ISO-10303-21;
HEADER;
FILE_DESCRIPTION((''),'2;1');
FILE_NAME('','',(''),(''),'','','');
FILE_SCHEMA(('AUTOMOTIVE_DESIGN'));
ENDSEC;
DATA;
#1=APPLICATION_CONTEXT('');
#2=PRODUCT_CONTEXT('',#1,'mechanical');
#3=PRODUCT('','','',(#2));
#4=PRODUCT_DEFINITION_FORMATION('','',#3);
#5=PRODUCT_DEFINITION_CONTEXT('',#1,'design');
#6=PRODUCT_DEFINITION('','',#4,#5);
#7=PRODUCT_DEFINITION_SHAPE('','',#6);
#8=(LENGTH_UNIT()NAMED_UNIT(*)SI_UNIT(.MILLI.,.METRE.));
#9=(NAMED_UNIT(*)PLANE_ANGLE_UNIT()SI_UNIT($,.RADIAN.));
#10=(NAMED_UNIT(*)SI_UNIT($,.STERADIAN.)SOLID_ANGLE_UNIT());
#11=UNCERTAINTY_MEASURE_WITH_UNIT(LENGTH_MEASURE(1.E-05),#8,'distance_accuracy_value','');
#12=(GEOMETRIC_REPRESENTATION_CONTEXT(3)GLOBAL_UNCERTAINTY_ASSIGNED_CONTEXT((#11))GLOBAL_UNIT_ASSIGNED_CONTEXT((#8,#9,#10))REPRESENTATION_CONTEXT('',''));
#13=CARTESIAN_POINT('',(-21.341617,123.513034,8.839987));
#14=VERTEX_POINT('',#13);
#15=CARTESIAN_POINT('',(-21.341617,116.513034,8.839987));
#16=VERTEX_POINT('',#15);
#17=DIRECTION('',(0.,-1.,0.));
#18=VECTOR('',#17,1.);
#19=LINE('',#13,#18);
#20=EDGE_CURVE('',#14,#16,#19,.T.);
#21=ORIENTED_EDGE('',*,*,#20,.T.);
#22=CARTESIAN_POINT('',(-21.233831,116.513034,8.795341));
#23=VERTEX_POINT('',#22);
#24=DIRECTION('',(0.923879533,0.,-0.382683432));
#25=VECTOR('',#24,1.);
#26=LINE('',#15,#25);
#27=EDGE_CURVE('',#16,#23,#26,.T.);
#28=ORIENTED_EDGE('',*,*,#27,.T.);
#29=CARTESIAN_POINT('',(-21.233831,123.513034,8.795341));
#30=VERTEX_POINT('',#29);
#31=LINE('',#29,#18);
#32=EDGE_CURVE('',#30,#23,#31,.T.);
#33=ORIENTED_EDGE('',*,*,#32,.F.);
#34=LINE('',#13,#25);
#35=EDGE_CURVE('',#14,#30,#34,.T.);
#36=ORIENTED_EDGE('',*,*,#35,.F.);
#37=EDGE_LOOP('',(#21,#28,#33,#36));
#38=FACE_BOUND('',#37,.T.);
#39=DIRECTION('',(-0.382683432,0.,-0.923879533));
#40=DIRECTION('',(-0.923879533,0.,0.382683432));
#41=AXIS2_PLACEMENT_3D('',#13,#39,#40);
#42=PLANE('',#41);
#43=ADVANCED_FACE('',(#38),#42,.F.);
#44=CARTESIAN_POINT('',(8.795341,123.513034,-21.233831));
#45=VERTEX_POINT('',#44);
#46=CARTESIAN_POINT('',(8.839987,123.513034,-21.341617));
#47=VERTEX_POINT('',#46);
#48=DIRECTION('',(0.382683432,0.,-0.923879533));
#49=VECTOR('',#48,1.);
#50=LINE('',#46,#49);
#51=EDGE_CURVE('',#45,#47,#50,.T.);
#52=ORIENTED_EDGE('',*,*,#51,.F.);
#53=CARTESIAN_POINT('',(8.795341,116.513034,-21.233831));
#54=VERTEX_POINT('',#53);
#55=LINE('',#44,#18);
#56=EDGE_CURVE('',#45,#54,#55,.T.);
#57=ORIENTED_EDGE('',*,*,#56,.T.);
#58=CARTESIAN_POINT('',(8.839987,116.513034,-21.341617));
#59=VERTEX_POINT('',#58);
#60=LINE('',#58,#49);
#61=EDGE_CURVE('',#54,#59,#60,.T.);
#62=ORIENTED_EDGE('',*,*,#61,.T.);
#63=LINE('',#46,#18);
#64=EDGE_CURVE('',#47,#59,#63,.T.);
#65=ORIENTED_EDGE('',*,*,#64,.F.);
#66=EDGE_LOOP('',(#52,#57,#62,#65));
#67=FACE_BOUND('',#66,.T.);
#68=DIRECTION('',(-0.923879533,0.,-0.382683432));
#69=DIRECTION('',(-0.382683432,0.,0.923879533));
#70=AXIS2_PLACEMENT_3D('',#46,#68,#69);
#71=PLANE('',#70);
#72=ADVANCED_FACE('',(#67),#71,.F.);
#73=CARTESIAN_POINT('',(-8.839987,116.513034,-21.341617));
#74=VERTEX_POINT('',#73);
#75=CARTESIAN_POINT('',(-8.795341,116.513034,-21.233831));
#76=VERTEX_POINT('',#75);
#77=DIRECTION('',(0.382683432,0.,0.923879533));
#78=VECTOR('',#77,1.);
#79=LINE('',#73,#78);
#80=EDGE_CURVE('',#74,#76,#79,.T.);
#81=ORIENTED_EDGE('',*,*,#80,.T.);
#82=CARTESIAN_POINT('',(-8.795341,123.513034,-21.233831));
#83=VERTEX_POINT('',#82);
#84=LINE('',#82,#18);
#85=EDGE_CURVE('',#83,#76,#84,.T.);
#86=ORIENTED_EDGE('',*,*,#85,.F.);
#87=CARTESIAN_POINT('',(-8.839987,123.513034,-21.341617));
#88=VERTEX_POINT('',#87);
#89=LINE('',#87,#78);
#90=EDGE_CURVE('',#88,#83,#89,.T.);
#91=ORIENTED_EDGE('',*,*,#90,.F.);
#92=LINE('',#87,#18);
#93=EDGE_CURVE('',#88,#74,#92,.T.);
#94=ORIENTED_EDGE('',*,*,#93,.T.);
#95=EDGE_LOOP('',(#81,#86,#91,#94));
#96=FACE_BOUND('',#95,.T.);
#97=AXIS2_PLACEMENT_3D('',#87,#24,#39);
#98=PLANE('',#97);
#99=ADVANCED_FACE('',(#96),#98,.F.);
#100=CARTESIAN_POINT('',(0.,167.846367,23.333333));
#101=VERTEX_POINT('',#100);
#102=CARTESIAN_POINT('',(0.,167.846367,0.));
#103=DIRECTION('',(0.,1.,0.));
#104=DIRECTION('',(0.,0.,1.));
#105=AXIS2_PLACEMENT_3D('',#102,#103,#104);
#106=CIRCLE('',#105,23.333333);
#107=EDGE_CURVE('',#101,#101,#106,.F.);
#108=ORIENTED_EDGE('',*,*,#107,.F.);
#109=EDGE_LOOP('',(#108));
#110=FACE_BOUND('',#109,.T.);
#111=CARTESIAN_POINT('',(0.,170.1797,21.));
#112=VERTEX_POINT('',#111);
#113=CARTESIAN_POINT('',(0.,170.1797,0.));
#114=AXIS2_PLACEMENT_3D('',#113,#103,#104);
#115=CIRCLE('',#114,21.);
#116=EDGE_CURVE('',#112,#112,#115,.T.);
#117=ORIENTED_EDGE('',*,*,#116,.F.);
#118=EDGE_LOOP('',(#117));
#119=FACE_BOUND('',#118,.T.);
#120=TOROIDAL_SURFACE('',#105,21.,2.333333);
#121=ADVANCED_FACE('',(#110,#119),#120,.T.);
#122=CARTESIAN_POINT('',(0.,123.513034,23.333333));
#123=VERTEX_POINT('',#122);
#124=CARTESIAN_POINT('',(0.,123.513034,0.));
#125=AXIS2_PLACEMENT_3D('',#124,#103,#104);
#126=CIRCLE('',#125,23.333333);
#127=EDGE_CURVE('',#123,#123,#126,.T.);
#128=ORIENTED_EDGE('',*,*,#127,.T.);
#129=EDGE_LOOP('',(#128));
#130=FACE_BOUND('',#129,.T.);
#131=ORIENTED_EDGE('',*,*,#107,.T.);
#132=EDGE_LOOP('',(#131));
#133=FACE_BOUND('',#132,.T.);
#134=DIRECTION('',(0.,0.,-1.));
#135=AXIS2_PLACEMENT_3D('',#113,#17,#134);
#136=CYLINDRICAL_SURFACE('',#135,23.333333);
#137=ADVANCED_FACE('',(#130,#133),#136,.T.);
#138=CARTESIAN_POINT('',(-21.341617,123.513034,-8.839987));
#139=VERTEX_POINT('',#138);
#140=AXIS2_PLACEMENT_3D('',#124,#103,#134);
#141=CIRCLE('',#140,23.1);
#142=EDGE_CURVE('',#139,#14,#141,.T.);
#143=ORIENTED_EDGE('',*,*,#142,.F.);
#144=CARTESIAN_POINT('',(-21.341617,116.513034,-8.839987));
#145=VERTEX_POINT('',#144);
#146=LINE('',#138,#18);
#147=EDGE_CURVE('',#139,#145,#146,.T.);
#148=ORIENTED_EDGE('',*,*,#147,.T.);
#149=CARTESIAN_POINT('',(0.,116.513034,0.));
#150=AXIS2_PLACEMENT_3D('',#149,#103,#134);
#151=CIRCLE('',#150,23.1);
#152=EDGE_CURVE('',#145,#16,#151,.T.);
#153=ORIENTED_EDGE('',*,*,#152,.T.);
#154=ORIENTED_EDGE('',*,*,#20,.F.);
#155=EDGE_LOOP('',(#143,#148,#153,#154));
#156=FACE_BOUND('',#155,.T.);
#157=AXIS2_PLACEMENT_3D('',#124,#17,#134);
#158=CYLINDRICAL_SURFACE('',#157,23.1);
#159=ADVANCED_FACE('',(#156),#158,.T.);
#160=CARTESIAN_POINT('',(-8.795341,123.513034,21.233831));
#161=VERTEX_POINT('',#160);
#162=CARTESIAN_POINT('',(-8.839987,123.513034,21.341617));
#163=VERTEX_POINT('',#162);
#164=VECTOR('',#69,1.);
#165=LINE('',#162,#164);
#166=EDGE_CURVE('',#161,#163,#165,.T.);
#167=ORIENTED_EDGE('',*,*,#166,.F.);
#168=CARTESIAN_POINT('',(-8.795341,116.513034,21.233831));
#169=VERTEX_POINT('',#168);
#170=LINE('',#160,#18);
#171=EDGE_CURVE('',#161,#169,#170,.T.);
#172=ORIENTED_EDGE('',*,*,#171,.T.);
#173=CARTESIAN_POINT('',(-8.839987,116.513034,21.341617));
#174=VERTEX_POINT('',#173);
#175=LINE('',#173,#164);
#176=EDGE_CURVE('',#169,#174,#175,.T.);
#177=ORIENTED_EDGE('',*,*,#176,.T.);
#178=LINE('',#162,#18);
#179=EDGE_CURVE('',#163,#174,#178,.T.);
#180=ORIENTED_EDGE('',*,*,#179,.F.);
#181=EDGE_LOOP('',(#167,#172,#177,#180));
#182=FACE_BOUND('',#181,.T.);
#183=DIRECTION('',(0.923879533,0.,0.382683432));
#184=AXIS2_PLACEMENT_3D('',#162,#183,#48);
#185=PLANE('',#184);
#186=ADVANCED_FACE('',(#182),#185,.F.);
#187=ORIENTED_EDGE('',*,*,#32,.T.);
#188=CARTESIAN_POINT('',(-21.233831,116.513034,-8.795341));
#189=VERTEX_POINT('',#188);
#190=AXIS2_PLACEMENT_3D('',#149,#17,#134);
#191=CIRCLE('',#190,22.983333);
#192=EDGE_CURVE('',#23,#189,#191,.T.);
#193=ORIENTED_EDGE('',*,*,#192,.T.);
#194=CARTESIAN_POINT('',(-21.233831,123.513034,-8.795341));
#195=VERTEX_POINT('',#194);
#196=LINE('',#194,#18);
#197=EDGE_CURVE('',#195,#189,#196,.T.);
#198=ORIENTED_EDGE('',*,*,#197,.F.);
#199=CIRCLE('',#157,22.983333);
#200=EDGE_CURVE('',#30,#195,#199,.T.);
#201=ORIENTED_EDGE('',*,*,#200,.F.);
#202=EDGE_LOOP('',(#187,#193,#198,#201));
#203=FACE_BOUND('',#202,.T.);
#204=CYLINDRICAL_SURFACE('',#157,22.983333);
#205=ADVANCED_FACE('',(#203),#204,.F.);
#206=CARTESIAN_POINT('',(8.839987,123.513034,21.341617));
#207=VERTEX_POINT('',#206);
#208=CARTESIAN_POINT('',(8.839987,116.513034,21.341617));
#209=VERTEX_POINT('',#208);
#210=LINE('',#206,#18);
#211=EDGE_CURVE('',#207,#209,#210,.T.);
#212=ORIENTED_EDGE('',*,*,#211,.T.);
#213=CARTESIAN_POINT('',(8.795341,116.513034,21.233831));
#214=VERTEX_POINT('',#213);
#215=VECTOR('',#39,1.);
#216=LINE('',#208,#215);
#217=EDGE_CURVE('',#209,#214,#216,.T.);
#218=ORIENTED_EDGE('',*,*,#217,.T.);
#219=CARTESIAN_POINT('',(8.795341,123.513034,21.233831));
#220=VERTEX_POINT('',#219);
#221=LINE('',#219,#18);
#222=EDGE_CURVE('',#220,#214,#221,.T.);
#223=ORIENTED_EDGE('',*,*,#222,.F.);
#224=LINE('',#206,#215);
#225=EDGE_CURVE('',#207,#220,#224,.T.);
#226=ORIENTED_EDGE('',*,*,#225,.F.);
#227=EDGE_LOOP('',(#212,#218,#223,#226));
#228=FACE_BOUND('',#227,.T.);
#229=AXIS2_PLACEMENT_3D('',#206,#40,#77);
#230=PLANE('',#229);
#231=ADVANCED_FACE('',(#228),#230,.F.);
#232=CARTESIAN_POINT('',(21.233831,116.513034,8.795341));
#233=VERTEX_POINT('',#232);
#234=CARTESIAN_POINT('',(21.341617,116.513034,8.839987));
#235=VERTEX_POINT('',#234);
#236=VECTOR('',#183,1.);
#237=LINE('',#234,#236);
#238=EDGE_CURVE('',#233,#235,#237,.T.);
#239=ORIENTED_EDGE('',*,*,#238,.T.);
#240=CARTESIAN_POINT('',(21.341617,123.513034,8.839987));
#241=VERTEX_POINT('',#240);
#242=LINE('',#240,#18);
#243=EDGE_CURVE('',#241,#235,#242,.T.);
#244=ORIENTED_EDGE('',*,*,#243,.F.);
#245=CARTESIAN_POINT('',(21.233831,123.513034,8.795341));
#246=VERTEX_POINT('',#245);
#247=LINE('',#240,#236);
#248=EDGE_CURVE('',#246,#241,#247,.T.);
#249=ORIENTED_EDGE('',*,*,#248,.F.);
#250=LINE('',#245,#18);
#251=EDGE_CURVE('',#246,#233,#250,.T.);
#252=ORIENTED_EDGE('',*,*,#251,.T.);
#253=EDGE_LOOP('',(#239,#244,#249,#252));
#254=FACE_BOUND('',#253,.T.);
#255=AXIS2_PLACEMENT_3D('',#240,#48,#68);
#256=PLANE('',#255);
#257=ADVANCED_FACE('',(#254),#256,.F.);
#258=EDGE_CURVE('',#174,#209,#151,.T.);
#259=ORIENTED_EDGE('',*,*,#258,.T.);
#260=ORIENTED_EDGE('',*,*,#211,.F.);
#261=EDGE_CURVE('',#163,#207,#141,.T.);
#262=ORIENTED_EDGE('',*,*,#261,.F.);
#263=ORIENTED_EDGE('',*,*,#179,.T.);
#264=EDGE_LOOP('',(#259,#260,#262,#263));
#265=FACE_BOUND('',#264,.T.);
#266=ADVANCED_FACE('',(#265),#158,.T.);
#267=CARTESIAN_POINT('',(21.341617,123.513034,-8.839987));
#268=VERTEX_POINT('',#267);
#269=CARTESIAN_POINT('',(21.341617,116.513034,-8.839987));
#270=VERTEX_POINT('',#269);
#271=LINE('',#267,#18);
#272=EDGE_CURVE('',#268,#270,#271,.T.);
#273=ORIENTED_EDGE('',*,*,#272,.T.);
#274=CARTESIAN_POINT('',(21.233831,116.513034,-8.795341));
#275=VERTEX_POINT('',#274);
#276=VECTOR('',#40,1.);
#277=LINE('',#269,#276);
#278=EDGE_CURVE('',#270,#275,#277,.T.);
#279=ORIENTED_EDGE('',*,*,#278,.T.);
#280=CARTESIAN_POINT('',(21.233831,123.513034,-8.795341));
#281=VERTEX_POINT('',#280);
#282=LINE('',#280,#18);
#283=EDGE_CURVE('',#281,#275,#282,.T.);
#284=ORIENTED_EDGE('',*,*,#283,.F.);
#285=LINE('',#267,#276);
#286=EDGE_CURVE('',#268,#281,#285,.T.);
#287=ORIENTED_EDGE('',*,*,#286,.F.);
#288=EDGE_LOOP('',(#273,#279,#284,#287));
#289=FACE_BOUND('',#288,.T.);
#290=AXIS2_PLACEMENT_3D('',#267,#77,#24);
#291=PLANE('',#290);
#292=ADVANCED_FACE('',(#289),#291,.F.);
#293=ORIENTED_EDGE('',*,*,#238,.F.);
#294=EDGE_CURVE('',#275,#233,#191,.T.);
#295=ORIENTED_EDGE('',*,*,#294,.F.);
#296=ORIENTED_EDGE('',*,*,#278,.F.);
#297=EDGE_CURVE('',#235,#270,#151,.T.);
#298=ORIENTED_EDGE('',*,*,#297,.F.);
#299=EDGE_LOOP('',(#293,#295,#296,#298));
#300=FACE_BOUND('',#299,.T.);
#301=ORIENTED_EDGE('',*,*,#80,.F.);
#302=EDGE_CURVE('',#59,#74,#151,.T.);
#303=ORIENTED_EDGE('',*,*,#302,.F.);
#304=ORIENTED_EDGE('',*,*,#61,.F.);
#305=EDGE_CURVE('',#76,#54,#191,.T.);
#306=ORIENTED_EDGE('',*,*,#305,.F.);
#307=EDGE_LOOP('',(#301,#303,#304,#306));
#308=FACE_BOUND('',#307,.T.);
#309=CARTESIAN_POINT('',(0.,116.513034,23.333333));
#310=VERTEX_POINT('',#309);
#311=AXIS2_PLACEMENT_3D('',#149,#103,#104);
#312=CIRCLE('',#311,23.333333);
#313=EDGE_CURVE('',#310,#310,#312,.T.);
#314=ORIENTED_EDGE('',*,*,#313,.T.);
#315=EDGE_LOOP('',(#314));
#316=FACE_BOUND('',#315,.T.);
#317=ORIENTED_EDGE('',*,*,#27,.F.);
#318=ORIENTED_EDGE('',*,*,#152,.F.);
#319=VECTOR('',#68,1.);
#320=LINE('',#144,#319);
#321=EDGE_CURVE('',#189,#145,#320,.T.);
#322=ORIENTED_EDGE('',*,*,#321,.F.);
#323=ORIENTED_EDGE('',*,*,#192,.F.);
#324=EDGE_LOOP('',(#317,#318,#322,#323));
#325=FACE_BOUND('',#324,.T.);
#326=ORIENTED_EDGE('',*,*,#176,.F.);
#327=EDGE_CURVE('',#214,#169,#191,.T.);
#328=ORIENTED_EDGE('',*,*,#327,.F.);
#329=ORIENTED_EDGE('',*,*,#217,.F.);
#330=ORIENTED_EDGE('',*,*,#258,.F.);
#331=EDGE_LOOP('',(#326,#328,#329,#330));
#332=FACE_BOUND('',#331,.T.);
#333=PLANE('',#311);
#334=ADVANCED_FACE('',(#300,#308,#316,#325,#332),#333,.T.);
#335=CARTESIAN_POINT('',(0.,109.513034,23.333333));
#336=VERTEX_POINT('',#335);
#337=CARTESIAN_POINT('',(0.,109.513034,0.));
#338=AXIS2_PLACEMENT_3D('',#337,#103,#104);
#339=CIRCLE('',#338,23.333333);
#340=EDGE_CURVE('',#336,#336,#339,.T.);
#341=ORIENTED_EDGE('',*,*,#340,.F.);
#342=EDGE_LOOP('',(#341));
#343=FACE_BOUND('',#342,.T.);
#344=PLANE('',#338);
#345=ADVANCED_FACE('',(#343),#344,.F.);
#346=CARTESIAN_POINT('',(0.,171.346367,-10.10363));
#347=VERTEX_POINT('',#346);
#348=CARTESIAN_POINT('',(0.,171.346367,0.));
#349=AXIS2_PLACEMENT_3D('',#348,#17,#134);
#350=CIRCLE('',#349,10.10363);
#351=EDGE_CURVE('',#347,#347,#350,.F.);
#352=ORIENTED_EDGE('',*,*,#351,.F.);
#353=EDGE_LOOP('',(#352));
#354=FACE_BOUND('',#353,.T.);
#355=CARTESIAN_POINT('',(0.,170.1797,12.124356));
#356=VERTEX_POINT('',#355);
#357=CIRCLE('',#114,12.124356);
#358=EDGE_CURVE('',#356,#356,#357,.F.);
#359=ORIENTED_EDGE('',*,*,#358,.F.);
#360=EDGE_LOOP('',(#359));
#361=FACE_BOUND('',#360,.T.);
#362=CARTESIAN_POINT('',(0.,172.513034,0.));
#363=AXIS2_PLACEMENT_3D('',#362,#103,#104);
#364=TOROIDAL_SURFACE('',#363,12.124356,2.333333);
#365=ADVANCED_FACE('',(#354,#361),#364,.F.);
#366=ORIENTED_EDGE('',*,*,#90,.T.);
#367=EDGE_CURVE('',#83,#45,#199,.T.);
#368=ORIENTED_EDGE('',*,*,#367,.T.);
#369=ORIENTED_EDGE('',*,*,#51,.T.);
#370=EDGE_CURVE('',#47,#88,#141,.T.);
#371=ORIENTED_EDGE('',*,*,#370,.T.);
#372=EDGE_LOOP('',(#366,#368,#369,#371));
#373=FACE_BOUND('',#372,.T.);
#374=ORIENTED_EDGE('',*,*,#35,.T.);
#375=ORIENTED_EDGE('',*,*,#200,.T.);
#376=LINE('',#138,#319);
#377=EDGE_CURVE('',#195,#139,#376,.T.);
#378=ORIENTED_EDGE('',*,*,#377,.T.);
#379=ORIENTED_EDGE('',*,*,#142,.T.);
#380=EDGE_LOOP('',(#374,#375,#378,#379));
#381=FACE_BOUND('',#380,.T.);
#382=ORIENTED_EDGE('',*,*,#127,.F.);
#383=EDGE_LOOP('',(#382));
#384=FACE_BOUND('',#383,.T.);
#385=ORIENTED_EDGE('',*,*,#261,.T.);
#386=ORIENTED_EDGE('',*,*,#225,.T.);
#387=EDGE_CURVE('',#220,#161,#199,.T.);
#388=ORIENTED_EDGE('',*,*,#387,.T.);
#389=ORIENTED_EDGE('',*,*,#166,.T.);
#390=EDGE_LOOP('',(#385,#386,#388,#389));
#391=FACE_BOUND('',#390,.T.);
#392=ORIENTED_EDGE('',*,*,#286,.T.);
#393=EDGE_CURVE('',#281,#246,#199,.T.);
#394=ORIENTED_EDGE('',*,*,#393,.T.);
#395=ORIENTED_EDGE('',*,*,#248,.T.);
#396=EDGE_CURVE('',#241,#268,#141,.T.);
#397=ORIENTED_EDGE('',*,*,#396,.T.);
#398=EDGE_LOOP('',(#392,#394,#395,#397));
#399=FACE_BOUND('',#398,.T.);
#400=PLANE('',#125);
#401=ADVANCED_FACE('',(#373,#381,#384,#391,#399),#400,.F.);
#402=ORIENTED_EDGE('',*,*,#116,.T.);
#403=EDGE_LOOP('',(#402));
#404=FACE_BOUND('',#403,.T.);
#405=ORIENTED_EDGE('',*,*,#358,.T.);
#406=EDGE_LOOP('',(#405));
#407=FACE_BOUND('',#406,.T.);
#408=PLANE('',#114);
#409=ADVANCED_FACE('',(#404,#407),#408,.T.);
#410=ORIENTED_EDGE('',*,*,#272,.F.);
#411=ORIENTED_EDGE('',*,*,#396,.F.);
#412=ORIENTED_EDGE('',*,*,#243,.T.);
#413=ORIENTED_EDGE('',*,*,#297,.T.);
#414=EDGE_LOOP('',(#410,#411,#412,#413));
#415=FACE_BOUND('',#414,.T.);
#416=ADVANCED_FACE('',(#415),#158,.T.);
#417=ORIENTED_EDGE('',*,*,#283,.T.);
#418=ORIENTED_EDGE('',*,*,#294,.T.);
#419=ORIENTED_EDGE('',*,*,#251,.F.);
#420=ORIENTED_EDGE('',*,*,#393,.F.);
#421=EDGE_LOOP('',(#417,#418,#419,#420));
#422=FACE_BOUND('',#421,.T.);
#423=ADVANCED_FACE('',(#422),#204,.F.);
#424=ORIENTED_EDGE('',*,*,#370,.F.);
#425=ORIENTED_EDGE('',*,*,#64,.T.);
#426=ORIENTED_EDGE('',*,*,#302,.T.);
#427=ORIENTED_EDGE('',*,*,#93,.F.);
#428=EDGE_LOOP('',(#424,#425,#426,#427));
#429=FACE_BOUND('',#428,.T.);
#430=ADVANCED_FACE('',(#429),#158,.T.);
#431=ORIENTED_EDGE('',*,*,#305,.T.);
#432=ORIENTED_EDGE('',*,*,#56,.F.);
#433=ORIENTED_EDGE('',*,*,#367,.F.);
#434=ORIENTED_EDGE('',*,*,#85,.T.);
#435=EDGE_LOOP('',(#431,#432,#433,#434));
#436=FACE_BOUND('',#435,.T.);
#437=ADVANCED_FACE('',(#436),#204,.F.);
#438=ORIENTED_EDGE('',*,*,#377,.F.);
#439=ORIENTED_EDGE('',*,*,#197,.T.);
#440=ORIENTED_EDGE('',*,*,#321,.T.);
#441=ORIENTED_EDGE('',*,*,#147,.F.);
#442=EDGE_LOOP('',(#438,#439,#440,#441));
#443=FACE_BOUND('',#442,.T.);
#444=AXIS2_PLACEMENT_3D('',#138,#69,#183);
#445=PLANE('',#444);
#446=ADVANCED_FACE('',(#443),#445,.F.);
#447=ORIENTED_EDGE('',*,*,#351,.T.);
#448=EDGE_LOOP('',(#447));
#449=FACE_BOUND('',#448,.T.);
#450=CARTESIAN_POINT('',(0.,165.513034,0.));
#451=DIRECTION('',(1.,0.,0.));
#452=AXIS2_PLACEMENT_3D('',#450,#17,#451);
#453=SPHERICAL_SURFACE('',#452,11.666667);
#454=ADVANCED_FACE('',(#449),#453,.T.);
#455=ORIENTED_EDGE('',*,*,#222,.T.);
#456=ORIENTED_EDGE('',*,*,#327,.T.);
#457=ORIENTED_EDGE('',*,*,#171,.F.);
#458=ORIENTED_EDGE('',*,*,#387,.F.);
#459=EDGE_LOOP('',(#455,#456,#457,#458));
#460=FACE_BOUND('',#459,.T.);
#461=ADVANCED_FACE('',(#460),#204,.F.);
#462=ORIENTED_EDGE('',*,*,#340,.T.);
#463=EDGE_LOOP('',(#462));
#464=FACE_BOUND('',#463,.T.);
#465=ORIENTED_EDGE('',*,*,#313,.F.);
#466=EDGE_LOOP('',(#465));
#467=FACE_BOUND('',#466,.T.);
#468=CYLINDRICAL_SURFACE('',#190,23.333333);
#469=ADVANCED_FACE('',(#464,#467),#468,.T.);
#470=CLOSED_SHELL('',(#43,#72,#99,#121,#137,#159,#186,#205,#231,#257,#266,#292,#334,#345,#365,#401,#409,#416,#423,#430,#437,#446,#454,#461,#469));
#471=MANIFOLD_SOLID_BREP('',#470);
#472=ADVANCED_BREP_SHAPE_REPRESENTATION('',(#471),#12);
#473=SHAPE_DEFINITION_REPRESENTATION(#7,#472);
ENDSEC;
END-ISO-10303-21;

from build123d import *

# Parameters (mm, degrees)
SKETCH1_R           = 100
BOSS_EXTRUDE1_DEPTH = 30
BOSS_EXTRUDE2_DEPTH = 30
SKETCH3_R           = 100
BOSS_EXTRUDE3_DEPTH = 200
FILLET1_R           = 10
SCALE1_SCALE        = 0.233333333


with BuildPart() as part:
    # Sketch1 → Boss-Extrude1 (new body)
    with BuildSketch(Plane(origin=(0, 0, 0), x_dir=(1, 0, 0), z_dir=(0, 1, 0))):
        Circle(SKETCH1_R)
    extrude(amount=BOSS_EXTRUDE1_DEPTH)

    # Sketch2 → Boss-Extrude2 (add)
    with BuildSketch(Plane(origin=(0, 30, 0), x_dir=(1, 0, 0), z_dir=(0, 1, 0))):
        with BuildLine():
            Line((91.464073719, 37.885659804), (91.002133952, 37.694318088))
            ThreePointArc((91.002133952, 37.694318088), (98.5, 0), (91.002133952, -37.694318088))
            Line((91.002133952, -37.694318088), (91.464073719, -37.885659804))
            ThreePointArc((91.464073719, -37.885659804), (99, 0), (91.464073719, 37.885659804))
        make_face()
        with BuildLine():
            Line((37.885659804, -91.464073719), (37.694318088, -91.002133952))
            ThreePointArc((37.694318088, -91.002133952), (0, -98.5), (-37.694318088, -91.002133952))
            Line((-37.694318088, -91.002133952), (-37.885659804, -91.464073719))
            ThreePointArc((-37.885659804, -91.464073719), (0, -99), (37.885659804, -91.464073719))
        make_face()
        with BuildLine():
            Line((-91.464073719, -37.885659804), (-91.002133952, -37.694318088))
            ThreePointArc((-91.002133952, -37.694318088), (-98.5, 0), (-91.002133952, 37.694318088))
            Line((-91.002133952, 37.694318088), (-91.464073719, 37.885659804))
            ThreePointArc((-91.464073719, 37.885659804), (-99, 0), (-91.464073719, -37.885659804))
        make_face()
        with BuildLine():
            Line((-37.885659804, 91.464073719), (-37.694318088, 91.002133952))
            ThreePointArc((-37.694318088, 91.002133952), (0, 98.5), (37.694318088, 91.002133952))
            Line((37.694318088, 91.002133952), (37.885659804, 91.464073719))
            ThreePointArc((37.885659804, 91.464073719), (0, 99), (-37.885659804, 91.464073719))
        make_face()
    extrude(amount=BOSS_EXTRUDE2_DEPTH)

    # Sketch3 → Boss-Extrude3 (add)
    with BuildSketch(Plane(origin=(0, 60, 0), x_dir=(1, 0, 0), z_dir=(0, 1, 0))):
        Circle(SKETCH3_R)
    extrude(amount=BOSS_EXTRUDE3_DEPTH)

    # Sketch5 → Revolve1 (revolve)
    with BuildSketch(Plane.XY):
        with BuildLine():
            Line((45.82575695, 260), (0, 260))
            Line((0, 260), (0, 290))
            ThreePointArc((0, 290), (27.386127875, 281.833001327), (45.82575695, 260))
        make_face()
    revolve(axis=Axis((0, 115.728499237, 0), (0, 1, 0)))

    # Fillet1
    fillet1_edges = [part.edges().sort_by_distance(p)[0] for p in [
        (-100, 260, 0),
        (-45.82575695, 260, 0),
    ]]
    fillet(fillet1_edges, radius=FILLET1_R)


with BuildPart() as part_1:
    # Scale1: scaled about (-2.1e-08, 142.843087279, 0)
    add(part.part.scale(SCALE1_SCALE).moved(Location((-1.6e-08, 109.513033581, 0))))


solid = part_1.part
